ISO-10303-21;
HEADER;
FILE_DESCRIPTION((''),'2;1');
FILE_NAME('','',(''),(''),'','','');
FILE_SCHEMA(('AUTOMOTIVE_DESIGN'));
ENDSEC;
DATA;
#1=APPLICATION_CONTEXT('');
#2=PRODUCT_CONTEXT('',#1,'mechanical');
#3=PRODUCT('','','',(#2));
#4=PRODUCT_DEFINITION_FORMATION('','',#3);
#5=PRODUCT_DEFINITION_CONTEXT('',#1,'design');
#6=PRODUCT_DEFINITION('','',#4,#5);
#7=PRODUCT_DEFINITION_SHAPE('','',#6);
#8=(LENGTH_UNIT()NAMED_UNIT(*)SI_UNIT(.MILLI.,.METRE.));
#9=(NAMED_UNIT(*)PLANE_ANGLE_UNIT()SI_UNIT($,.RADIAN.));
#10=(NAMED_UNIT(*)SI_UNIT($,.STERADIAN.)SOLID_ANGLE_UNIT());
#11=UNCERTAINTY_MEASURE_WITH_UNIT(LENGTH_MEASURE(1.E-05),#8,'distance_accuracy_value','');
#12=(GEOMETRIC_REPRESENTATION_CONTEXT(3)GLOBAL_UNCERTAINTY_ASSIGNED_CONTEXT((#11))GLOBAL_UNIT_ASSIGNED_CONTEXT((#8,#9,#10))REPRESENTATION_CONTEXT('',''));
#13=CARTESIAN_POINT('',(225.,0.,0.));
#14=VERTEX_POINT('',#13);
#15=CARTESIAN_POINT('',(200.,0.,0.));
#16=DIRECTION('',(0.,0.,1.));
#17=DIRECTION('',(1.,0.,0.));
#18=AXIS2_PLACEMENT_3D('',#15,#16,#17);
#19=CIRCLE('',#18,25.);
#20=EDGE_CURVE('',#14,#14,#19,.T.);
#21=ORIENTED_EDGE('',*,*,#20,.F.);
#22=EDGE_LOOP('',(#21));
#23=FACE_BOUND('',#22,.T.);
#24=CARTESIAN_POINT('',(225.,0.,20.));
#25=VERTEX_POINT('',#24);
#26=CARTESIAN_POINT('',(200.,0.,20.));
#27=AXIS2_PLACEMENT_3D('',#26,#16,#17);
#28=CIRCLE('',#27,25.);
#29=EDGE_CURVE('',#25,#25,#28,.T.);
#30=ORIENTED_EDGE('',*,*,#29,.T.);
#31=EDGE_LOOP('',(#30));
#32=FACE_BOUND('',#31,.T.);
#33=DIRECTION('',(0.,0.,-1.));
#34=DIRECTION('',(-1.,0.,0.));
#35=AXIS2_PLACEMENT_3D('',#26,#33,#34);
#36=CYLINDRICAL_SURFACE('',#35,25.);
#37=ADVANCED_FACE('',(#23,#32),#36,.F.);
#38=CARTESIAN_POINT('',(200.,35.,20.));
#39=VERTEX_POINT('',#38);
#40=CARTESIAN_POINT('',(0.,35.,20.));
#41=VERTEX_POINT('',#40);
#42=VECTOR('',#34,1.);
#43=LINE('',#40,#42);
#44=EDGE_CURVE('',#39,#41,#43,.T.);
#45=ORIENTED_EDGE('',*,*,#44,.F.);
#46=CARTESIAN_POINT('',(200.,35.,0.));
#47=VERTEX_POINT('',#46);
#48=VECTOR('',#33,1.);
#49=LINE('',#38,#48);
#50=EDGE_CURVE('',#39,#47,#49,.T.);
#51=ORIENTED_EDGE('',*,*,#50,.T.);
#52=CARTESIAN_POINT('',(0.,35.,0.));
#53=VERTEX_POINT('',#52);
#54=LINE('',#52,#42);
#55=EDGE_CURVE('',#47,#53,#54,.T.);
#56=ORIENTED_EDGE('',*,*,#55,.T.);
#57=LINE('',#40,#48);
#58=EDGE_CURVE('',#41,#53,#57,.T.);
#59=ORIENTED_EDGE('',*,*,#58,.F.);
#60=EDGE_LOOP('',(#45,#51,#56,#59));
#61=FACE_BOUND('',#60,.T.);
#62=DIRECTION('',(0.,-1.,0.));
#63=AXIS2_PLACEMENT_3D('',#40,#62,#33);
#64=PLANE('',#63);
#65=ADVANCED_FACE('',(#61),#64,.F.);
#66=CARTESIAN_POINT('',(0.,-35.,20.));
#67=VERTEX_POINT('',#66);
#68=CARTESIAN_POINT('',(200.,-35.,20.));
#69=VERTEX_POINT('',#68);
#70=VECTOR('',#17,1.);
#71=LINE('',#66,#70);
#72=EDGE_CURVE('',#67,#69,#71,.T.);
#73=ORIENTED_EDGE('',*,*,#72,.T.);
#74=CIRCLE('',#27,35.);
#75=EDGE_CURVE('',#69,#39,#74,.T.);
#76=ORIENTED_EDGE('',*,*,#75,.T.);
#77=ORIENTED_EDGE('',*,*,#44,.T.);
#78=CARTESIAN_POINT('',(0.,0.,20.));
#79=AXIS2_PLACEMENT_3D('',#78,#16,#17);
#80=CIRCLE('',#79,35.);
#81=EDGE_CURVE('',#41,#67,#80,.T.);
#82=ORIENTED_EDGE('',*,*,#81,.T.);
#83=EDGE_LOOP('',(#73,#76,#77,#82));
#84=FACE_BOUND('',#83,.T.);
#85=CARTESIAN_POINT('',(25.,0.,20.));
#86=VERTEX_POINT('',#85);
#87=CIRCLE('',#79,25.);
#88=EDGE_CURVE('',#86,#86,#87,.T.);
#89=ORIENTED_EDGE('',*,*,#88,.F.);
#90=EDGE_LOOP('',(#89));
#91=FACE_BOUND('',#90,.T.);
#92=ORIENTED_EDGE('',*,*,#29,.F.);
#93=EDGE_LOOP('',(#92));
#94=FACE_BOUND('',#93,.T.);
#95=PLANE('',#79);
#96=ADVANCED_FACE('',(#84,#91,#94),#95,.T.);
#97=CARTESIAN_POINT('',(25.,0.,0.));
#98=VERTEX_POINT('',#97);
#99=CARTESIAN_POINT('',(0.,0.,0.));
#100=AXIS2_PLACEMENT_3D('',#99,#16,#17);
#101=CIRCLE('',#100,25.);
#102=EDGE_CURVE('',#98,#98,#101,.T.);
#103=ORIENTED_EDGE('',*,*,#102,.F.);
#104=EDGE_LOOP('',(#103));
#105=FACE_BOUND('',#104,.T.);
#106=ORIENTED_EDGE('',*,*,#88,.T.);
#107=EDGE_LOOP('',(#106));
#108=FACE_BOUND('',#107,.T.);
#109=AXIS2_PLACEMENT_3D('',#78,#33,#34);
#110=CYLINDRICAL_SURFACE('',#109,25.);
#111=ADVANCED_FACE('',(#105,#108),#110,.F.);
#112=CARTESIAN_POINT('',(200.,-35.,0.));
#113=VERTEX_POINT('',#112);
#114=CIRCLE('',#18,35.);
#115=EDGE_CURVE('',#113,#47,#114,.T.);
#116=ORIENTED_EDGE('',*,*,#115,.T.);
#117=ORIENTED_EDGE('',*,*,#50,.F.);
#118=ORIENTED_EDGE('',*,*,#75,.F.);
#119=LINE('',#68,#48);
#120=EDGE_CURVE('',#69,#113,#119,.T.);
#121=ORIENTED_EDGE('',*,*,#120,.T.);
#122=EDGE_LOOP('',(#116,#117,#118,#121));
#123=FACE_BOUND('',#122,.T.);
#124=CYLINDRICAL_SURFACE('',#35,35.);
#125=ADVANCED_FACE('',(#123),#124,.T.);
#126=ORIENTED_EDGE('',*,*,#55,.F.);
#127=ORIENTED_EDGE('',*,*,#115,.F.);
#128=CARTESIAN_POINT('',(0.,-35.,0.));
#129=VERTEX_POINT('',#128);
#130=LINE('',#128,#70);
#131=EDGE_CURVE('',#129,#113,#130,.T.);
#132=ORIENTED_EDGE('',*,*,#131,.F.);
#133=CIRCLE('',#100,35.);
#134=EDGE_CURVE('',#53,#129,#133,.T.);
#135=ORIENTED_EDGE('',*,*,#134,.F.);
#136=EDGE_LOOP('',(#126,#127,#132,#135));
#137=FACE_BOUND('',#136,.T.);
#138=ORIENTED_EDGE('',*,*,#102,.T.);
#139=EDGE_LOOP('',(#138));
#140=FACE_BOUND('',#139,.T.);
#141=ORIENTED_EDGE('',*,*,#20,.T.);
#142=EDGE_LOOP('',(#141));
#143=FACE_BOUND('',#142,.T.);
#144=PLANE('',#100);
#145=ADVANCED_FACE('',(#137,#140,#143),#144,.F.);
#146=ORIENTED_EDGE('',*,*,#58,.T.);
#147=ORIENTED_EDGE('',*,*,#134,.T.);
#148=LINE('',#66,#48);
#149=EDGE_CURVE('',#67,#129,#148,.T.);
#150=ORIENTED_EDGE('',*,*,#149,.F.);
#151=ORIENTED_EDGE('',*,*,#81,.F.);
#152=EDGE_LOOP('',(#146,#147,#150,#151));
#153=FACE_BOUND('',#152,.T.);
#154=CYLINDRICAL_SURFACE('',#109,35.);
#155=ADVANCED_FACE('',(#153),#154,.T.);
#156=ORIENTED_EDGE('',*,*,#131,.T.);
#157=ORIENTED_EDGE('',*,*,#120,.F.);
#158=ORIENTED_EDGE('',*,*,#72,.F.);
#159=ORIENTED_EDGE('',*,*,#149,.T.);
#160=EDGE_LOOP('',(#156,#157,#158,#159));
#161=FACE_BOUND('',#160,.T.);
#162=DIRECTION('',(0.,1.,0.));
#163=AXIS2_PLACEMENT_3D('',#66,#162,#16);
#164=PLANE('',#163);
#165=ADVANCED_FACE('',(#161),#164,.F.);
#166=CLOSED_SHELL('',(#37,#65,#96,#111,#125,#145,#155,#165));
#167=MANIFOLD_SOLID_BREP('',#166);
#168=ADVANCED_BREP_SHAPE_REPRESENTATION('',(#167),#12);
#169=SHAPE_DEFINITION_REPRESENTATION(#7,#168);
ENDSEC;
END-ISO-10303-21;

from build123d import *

# Parameters (mm, degrees)
SKETCH_1_R      = 25
EXTRUDE_1_DEPTH = 20


with BuildPart() as part:
    # Эскиз1 → Бобышка-Вытянуть1 (new body)
    with BuildSketch(Plane.XY):
        with BuildLine():
            Line((0, 35), (200, 35))
            ThreePointArc((200, 35), (235, 0), (200, -35))
            Line((200, -35), (0, -35))
            ThreePointArc((0, -35), (-35, 0), (0, 35))
        make_face()
        Circle(SKETCH_1_R, mode=Mode.SUBTRACT)
        with Locations((200, 0)):
            Circle(SKETCH_1_R, mode=Mode.SUBTRACT)
    extrude(amount=EXTRUDE_1_DEPTH)


solid = part.part
